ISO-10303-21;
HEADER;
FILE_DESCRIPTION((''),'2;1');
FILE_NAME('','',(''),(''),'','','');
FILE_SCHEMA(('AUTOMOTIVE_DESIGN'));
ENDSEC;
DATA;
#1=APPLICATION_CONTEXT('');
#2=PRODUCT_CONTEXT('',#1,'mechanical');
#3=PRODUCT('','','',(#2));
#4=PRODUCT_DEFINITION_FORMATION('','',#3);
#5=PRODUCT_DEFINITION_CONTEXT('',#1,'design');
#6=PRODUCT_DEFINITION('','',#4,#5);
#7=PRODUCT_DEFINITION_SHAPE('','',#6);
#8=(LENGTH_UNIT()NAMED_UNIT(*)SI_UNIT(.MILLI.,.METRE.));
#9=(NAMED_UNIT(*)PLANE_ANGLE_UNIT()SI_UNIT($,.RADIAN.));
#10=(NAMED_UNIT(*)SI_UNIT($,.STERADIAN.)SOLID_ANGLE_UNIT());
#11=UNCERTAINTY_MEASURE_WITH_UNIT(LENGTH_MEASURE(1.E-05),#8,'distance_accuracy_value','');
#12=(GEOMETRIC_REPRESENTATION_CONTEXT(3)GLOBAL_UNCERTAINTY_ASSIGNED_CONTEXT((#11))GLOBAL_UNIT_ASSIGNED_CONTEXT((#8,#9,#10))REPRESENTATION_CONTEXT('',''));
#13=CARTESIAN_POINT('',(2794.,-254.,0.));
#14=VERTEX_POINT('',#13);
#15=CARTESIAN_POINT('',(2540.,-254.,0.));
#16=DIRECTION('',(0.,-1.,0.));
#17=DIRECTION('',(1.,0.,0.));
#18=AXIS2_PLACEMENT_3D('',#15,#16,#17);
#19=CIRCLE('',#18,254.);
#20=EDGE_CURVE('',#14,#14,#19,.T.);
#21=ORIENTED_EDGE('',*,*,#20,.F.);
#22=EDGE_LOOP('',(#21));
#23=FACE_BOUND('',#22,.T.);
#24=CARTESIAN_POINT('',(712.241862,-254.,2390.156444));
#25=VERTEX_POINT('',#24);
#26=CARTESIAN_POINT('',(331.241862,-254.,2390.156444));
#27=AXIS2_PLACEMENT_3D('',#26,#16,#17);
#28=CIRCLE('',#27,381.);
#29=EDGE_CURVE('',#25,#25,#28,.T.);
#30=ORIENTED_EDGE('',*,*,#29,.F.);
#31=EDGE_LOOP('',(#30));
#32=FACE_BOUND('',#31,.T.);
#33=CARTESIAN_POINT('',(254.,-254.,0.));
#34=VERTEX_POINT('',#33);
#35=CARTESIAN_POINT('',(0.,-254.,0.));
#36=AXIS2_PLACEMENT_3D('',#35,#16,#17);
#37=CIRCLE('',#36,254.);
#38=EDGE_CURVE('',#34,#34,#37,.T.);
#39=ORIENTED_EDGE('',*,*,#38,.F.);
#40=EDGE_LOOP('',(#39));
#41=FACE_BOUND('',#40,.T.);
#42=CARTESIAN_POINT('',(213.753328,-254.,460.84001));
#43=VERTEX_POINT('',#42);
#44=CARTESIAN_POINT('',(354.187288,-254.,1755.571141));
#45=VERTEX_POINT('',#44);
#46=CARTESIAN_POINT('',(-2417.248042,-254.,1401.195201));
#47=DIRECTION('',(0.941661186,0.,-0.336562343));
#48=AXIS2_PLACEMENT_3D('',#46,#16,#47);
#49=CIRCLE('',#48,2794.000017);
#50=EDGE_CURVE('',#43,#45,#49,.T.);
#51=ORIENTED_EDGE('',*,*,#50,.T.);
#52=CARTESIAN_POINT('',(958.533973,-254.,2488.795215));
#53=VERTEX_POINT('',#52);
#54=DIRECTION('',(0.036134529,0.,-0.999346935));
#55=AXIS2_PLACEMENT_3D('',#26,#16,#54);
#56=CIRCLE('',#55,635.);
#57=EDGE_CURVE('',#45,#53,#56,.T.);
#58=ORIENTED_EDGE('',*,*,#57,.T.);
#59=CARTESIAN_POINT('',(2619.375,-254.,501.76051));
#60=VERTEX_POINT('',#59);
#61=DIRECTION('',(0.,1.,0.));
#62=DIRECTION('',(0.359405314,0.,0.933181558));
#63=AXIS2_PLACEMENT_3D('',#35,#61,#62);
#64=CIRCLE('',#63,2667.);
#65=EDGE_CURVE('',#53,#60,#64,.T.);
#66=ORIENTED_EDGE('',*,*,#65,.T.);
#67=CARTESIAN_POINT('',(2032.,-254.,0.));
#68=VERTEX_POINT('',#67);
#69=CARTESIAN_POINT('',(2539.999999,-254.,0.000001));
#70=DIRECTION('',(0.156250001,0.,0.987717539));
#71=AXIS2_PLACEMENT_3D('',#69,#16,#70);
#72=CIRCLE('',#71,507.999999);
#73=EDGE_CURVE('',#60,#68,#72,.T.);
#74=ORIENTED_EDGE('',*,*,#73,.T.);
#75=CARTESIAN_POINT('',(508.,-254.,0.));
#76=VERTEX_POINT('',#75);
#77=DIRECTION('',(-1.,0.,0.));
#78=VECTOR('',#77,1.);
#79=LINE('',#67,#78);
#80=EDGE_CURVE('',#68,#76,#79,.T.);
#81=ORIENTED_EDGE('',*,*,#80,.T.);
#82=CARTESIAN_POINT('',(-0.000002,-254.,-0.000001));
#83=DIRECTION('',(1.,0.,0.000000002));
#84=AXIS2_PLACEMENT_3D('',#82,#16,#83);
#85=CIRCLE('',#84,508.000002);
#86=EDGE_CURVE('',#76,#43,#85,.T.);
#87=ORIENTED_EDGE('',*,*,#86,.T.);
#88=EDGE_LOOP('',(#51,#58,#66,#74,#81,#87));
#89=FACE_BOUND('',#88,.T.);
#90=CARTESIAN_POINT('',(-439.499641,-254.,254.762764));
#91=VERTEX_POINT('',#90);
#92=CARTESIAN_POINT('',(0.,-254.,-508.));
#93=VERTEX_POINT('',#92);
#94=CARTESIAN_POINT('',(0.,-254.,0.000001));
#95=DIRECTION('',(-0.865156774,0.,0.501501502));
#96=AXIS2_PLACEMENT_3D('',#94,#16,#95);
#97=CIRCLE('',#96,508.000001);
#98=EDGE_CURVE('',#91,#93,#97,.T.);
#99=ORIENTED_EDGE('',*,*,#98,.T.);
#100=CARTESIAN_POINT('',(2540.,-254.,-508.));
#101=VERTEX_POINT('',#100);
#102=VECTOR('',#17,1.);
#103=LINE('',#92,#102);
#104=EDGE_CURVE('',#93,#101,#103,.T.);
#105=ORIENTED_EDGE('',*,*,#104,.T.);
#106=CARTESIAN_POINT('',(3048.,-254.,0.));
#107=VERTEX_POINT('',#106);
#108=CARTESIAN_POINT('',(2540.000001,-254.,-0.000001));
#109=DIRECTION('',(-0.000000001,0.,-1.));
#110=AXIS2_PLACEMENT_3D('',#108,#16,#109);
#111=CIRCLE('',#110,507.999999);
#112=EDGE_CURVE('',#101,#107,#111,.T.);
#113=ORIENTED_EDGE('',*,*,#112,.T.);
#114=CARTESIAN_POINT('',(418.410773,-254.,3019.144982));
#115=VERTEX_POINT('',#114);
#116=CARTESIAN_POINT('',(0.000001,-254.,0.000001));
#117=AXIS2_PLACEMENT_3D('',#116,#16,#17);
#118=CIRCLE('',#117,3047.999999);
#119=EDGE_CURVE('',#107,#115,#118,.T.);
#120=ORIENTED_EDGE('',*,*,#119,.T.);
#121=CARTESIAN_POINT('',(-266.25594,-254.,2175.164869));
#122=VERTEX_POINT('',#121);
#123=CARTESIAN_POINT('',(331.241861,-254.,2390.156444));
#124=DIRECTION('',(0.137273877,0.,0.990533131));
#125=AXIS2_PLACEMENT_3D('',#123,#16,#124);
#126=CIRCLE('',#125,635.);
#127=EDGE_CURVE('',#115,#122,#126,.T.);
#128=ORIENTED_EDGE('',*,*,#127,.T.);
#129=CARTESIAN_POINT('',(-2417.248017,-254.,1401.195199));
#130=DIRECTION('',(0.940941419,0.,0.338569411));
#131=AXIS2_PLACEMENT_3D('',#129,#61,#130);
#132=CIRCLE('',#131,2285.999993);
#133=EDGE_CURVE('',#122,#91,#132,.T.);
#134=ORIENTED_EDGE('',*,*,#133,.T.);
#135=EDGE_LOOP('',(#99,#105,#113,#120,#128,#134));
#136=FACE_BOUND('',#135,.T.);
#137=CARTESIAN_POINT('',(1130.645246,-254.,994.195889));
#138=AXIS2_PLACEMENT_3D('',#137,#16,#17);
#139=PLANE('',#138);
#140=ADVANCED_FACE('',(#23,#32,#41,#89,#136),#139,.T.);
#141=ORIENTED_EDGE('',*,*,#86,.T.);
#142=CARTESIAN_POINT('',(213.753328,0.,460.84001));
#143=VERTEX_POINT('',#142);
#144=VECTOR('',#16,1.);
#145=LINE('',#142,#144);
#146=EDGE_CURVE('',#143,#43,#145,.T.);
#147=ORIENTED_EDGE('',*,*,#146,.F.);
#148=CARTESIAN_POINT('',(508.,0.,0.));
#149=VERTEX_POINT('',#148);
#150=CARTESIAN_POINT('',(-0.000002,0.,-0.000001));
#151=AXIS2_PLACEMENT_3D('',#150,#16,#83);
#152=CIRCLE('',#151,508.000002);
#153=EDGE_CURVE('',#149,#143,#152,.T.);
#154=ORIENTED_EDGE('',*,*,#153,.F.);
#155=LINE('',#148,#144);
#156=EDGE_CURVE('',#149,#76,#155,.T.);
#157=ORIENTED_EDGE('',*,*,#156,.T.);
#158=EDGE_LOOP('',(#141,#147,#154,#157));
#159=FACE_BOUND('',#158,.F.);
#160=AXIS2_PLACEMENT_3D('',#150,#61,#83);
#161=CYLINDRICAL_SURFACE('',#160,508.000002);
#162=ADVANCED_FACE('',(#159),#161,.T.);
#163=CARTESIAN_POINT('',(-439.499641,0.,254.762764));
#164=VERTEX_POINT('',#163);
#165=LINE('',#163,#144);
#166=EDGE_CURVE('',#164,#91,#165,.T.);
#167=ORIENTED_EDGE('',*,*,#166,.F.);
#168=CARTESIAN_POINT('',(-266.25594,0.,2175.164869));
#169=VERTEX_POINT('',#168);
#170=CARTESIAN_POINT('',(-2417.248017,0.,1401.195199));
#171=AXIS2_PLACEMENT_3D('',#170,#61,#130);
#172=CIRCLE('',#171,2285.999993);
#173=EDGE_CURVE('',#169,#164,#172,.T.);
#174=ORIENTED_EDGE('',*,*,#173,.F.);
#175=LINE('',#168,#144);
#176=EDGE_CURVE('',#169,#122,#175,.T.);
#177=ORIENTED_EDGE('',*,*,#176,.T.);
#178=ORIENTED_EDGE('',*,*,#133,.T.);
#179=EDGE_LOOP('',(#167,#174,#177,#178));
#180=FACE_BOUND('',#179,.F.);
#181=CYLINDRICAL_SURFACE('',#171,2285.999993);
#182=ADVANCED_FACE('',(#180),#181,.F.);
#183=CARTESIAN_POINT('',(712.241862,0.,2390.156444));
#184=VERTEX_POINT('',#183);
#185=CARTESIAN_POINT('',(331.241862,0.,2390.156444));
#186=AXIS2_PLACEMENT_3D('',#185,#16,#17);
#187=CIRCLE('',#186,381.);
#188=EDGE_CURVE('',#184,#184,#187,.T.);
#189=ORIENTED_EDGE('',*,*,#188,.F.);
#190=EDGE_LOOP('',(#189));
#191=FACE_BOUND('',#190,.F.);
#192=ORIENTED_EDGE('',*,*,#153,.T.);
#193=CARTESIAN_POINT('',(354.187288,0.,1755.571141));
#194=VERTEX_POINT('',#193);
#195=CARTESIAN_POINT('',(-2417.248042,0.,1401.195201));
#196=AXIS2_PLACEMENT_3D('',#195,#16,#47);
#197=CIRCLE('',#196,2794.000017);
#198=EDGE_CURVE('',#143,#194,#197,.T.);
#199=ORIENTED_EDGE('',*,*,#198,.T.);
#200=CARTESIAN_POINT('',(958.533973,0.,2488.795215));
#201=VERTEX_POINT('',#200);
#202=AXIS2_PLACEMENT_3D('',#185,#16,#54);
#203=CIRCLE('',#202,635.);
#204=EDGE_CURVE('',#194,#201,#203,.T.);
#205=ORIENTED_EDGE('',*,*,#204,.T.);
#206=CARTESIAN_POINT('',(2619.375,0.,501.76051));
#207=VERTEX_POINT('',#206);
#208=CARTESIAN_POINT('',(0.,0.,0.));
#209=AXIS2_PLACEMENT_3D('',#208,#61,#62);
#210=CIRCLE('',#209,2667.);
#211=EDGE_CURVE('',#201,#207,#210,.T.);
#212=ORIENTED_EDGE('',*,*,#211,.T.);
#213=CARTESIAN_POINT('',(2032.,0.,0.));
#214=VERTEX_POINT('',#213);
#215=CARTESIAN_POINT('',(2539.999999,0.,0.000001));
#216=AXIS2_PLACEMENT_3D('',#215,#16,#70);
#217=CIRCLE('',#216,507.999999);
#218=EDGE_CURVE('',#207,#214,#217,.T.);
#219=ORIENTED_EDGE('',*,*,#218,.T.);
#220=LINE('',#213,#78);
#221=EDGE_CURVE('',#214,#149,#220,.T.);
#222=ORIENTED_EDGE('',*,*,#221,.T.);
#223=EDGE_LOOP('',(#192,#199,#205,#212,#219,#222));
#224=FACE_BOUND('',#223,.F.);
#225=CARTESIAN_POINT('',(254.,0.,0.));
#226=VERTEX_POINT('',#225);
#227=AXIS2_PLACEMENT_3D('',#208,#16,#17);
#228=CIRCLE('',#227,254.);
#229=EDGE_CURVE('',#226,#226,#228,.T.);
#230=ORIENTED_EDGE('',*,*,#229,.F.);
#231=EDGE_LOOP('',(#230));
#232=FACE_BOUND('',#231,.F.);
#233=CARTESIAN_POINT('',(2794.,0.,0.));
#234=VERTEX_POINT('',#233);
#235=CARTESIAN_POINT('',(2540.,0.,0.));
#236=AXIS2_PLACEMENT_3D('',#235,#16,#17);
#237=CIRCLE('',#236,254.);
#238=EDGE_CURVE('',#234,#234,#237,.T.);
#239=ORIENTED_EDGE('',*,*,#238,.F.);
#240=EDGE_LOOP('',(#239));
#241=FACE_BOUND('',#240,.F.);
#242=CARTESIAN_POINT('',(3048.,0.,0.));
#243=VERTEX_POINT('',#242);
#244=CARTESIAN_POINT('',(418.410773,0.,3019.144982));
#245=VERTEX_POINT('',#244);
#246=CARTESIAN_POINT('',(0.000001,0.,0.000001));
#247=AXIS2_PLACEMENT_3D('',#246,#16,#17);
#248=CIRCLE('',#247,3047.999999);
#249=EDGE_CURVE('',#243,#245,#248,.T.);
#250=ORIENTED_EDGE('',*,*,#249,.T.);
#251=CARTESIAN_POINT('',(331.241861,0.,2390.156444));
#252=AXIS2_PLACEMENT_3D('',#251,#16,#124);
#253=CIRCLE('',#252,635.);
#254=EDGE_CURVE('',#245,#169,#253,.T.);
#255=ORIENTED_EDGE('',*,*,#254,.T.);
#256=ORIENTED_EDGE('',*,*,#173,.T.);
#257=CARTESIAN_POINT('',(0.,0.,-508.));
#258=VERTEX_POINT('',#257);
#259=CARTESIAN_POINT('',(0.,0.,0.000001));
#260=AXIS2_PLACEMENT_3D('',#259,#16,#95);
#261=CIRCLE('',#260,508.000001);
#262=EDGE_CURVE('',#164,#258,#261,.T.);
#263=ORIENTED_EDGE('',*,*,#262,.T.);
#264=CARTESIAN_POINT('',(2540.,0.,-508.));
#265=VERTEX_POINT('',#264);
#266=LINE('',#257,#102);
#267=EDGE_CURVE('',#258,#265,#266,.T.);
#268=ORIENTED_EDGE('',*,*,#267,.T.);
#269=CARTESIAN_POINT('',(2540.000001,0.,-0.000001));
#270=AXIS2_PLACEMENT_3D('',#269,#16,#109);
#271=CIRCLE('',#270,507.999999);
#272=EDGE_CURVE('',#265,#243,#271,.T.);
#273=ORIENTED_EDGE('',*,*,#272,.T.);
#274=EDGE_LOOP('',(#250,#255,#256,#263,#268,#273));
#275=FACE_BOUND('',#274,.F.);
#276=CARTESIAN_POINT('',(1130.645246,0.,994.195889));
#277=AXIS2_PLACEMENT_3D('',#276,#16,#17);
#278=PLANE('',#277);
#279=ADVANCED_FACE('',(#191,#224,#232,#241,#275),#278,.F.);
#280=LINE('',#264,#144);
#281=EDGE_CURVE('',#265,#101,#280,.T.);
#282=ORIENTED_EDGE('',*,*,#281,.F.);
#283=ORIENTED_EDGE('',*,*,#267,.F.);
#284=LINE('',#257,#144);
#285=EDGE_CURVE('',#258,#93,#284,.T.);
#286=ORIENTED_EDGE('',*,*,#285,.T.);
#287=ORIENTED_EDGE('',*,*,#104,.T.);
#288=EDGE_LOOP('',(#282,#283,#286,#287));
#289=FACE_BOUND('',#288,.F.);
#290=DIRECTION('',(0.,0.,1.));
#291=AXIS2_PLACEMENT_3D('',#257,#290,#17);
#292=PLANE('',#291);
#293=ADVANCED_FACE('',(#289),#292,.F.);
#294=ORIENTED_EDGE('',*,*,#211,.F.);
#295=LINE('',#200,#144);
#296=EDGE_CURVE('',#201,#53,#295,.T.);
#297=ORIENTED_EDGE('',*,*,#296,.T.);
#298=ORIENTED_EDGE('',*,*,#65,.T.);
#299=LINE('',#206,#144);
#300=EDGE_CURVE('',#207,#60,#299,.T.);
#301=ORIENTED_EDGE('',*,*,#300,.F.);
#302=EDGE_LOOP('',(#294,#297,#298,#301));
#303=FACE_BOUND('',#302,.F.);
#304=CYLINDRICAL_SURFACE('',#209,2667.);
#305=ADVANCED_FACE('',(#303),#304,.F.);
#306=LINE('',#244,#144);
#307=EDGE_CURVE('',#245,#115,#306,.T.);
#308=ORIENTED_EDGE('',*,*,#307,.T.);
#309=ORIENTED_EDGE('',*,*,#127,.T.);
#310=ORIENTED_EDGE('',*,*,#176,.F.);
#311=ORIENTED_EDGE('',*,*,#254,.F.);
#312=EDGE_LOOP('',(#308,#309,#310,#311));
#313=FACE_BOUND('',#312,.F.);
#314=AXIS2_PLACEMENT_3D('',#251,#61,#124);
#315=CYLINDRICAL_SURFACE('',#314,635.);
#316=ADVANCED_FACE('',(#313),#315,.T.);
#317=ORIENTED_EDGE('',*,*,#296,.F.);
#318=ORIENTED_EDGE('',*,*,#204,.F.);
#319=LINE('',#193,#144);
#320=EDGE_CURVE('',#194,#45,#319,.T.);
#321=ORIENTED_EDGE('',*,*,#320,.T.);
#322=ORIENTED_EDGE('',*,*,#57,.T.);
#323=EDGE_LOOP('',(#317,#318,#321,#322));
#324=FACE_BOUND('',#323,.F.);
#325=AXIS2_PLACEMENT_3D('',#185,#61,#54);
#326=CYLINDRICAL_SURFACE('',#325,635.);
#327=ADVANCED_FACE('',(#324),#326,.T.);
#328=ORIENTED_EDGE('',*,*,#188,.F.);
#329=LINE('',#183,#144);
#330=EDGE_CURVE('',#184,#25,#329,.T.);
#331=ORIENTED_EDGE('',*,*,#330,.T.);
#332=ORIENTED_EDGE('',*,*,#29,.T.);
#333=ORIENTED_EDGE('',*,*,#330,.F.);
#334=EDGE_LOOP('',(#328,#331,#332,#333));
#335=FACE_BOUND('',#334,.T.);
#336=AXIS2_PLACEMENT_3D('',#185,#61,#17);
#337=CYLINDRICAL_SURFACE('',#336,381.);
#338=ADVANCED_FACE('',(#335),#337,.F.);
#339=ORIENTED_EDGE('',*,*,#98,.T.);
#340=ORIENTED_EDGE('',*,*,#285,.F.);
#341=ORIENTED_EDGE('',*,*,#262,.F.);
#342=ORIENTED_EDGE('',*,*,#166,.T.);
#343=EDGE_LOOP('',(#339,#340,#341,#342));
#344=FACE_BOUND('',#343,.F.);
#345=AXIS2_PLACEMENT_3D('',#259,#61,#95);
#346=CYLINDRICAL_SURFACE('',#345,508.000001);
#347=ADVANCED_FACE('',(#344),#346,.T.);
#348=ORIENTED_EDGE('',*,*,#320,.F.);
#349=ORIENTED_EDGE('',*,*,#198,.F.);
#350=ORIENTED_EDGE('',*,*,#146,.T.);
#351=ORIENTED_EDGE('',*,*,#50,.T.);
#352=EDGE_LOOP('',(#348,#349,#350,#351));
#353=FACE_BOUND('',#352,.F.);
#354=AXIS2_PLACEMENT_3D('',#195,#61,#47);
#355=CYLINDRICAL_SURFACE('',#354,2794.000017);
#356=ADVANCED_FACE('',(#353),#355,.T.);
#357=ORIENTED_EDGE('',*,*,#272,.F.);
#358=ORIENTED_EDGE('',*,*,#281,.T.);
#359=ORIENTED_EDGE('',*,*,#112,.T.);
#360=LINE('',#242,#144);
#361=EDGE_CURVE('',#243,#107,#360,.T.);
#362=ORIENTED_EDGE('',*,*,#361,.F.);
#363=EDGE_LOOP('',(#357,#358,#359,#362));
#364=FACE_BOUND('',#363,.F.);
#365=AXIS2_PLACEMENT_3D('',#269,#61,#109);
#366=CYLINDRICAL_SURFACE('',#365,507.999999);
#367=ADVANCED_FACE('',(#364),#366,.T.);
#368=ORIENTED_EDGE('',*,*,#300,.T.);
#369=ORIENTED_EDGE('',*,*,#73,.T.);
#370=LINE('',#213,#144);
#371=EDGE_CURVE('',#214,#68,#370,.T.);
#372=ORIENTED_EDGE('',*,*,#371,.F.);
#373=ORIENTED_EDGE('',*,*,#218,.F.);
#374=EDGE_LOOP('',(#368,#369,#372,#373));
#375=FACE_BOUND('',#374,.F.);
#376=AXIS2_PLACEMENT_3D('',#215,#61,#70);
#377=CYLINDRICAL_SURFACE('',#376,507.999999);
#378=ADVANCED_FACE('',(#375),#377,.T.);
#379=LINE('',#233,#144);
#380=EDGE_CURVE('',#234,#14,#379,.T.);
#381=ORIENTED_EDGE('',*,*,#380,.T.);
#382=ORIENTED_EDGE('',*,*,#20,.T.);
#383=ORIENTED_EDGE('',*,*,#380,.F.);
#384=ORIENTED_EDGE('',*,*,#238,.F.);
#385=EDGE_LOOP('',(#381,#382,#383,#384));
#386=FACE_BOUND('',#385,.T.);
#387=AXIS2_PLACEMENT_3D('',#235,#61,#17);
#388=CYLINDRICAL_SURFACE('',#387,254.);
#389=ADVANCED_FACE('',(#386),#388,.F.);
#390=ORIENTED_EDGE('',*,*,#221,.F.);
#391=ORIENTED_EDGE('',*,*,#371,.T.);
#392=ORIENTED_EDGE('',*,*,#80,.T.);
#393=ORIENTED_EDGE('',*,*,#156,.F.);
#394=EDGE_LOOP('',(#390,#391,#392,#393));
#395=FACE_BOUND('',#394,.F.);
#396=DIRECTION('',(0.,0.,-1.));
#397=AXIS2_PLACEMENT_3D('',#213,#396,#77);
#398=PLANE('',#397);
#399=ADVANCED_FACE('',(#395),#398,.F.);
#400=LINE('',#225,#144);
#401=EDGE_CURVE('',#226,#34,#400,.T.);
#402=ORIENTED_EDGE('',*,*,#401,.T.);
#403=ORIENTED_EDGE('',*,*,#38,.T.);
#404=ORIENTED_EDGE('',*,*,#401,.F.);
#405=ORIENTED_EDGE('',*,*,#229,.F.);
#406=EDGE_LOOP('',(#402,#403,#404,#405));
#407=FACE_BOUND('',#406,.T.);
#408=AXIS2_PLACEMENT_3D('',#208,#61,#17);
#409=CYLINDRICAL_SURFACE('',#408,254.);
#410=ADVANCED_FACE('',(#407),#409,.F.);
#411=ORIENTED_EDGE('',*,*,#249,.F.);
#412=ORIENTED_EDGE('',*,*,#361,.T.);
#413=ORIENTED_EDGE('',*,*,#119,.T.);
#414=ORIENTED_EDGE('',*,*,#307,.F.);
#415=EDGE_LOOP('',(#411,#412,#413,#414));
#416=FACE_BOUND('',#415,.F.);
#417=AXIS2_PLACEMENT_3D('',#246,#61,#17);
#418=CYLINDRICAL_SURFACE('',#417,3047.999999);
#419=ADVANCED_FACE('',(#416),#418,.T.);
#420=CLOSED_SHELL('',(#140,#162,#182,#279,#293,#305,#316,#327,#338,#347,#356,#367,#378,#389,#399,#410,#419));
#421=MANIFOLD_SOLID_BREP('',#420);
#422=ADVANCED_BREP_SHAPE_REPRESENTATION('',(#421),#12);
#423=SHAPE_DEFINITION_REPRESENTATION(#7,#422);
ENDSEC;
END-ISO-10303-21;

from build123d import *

# Parameters (mm, degrees)
F0_R     = 254
F0_R_2   = 381
F1_DEPTH = 254


with BuildPart() as f1:
    # F0 (on Front) → F1 (new body)
    with BuildSketch(Plane.XZ):
        with BuildLine():
            Line((0, -508), (2540, -508))
            ThreePointArc((2540, -508), (2899.210245, -359.210245), (3048, 0))
            ThreePointArc((3048, 0), (2298.436429, 2001.872619), (418.410773, 3019.144982))
            ThreePointArc((418.410773, 3019.144982), (-161.895545, 2790.207064), (-266.25594, 2175.164869))
            ThreePointArc((-266.25594, 2175.164869), (-140.49364, 1195.804175), (-439.499641, 254.762764))
            ThreePointArc((-439.499641, 254.762764), (-440.161041, -253.618331), (0, -508))
        make_face()
        Circle(F0_R, mode=Mode.SUBTRACT)
        with Locations((2540, 0)):
            Circle(F0_R, mode=Mode.SUBTRACT)
        with BuildLine():
            Line((2032, 0), (508, 0))
            ThreePointArc((508, 0), (428.165091, 273.383713), (213.753328, 460.84001))
            ThreePointArc((213.753328, 460.84001), (360.460141, 1099.90905), (354.187288, 1755.571141))
            ThreePointArc((354.187288, 1755.571141), (821.248596, 1986.277254), (958.533973, 2488.795215))
            ThreePointArc((958.533973, 2488.795215), (2046.322283, 1710.395894), (2619.375, 501.76051))
            ThreePointArc((2619.375, 501.76051), (2210.044321, 386.255421), (2032, 0))
        make_face(mode=Mode.SUBTRACT)
        with Locations((331.241862, 2390.156444)):
            Circle(F0_R_2, mode=Mode.SUBTRACT)
    extrude(amount=F1_DEPTH)


solid = f1.part
